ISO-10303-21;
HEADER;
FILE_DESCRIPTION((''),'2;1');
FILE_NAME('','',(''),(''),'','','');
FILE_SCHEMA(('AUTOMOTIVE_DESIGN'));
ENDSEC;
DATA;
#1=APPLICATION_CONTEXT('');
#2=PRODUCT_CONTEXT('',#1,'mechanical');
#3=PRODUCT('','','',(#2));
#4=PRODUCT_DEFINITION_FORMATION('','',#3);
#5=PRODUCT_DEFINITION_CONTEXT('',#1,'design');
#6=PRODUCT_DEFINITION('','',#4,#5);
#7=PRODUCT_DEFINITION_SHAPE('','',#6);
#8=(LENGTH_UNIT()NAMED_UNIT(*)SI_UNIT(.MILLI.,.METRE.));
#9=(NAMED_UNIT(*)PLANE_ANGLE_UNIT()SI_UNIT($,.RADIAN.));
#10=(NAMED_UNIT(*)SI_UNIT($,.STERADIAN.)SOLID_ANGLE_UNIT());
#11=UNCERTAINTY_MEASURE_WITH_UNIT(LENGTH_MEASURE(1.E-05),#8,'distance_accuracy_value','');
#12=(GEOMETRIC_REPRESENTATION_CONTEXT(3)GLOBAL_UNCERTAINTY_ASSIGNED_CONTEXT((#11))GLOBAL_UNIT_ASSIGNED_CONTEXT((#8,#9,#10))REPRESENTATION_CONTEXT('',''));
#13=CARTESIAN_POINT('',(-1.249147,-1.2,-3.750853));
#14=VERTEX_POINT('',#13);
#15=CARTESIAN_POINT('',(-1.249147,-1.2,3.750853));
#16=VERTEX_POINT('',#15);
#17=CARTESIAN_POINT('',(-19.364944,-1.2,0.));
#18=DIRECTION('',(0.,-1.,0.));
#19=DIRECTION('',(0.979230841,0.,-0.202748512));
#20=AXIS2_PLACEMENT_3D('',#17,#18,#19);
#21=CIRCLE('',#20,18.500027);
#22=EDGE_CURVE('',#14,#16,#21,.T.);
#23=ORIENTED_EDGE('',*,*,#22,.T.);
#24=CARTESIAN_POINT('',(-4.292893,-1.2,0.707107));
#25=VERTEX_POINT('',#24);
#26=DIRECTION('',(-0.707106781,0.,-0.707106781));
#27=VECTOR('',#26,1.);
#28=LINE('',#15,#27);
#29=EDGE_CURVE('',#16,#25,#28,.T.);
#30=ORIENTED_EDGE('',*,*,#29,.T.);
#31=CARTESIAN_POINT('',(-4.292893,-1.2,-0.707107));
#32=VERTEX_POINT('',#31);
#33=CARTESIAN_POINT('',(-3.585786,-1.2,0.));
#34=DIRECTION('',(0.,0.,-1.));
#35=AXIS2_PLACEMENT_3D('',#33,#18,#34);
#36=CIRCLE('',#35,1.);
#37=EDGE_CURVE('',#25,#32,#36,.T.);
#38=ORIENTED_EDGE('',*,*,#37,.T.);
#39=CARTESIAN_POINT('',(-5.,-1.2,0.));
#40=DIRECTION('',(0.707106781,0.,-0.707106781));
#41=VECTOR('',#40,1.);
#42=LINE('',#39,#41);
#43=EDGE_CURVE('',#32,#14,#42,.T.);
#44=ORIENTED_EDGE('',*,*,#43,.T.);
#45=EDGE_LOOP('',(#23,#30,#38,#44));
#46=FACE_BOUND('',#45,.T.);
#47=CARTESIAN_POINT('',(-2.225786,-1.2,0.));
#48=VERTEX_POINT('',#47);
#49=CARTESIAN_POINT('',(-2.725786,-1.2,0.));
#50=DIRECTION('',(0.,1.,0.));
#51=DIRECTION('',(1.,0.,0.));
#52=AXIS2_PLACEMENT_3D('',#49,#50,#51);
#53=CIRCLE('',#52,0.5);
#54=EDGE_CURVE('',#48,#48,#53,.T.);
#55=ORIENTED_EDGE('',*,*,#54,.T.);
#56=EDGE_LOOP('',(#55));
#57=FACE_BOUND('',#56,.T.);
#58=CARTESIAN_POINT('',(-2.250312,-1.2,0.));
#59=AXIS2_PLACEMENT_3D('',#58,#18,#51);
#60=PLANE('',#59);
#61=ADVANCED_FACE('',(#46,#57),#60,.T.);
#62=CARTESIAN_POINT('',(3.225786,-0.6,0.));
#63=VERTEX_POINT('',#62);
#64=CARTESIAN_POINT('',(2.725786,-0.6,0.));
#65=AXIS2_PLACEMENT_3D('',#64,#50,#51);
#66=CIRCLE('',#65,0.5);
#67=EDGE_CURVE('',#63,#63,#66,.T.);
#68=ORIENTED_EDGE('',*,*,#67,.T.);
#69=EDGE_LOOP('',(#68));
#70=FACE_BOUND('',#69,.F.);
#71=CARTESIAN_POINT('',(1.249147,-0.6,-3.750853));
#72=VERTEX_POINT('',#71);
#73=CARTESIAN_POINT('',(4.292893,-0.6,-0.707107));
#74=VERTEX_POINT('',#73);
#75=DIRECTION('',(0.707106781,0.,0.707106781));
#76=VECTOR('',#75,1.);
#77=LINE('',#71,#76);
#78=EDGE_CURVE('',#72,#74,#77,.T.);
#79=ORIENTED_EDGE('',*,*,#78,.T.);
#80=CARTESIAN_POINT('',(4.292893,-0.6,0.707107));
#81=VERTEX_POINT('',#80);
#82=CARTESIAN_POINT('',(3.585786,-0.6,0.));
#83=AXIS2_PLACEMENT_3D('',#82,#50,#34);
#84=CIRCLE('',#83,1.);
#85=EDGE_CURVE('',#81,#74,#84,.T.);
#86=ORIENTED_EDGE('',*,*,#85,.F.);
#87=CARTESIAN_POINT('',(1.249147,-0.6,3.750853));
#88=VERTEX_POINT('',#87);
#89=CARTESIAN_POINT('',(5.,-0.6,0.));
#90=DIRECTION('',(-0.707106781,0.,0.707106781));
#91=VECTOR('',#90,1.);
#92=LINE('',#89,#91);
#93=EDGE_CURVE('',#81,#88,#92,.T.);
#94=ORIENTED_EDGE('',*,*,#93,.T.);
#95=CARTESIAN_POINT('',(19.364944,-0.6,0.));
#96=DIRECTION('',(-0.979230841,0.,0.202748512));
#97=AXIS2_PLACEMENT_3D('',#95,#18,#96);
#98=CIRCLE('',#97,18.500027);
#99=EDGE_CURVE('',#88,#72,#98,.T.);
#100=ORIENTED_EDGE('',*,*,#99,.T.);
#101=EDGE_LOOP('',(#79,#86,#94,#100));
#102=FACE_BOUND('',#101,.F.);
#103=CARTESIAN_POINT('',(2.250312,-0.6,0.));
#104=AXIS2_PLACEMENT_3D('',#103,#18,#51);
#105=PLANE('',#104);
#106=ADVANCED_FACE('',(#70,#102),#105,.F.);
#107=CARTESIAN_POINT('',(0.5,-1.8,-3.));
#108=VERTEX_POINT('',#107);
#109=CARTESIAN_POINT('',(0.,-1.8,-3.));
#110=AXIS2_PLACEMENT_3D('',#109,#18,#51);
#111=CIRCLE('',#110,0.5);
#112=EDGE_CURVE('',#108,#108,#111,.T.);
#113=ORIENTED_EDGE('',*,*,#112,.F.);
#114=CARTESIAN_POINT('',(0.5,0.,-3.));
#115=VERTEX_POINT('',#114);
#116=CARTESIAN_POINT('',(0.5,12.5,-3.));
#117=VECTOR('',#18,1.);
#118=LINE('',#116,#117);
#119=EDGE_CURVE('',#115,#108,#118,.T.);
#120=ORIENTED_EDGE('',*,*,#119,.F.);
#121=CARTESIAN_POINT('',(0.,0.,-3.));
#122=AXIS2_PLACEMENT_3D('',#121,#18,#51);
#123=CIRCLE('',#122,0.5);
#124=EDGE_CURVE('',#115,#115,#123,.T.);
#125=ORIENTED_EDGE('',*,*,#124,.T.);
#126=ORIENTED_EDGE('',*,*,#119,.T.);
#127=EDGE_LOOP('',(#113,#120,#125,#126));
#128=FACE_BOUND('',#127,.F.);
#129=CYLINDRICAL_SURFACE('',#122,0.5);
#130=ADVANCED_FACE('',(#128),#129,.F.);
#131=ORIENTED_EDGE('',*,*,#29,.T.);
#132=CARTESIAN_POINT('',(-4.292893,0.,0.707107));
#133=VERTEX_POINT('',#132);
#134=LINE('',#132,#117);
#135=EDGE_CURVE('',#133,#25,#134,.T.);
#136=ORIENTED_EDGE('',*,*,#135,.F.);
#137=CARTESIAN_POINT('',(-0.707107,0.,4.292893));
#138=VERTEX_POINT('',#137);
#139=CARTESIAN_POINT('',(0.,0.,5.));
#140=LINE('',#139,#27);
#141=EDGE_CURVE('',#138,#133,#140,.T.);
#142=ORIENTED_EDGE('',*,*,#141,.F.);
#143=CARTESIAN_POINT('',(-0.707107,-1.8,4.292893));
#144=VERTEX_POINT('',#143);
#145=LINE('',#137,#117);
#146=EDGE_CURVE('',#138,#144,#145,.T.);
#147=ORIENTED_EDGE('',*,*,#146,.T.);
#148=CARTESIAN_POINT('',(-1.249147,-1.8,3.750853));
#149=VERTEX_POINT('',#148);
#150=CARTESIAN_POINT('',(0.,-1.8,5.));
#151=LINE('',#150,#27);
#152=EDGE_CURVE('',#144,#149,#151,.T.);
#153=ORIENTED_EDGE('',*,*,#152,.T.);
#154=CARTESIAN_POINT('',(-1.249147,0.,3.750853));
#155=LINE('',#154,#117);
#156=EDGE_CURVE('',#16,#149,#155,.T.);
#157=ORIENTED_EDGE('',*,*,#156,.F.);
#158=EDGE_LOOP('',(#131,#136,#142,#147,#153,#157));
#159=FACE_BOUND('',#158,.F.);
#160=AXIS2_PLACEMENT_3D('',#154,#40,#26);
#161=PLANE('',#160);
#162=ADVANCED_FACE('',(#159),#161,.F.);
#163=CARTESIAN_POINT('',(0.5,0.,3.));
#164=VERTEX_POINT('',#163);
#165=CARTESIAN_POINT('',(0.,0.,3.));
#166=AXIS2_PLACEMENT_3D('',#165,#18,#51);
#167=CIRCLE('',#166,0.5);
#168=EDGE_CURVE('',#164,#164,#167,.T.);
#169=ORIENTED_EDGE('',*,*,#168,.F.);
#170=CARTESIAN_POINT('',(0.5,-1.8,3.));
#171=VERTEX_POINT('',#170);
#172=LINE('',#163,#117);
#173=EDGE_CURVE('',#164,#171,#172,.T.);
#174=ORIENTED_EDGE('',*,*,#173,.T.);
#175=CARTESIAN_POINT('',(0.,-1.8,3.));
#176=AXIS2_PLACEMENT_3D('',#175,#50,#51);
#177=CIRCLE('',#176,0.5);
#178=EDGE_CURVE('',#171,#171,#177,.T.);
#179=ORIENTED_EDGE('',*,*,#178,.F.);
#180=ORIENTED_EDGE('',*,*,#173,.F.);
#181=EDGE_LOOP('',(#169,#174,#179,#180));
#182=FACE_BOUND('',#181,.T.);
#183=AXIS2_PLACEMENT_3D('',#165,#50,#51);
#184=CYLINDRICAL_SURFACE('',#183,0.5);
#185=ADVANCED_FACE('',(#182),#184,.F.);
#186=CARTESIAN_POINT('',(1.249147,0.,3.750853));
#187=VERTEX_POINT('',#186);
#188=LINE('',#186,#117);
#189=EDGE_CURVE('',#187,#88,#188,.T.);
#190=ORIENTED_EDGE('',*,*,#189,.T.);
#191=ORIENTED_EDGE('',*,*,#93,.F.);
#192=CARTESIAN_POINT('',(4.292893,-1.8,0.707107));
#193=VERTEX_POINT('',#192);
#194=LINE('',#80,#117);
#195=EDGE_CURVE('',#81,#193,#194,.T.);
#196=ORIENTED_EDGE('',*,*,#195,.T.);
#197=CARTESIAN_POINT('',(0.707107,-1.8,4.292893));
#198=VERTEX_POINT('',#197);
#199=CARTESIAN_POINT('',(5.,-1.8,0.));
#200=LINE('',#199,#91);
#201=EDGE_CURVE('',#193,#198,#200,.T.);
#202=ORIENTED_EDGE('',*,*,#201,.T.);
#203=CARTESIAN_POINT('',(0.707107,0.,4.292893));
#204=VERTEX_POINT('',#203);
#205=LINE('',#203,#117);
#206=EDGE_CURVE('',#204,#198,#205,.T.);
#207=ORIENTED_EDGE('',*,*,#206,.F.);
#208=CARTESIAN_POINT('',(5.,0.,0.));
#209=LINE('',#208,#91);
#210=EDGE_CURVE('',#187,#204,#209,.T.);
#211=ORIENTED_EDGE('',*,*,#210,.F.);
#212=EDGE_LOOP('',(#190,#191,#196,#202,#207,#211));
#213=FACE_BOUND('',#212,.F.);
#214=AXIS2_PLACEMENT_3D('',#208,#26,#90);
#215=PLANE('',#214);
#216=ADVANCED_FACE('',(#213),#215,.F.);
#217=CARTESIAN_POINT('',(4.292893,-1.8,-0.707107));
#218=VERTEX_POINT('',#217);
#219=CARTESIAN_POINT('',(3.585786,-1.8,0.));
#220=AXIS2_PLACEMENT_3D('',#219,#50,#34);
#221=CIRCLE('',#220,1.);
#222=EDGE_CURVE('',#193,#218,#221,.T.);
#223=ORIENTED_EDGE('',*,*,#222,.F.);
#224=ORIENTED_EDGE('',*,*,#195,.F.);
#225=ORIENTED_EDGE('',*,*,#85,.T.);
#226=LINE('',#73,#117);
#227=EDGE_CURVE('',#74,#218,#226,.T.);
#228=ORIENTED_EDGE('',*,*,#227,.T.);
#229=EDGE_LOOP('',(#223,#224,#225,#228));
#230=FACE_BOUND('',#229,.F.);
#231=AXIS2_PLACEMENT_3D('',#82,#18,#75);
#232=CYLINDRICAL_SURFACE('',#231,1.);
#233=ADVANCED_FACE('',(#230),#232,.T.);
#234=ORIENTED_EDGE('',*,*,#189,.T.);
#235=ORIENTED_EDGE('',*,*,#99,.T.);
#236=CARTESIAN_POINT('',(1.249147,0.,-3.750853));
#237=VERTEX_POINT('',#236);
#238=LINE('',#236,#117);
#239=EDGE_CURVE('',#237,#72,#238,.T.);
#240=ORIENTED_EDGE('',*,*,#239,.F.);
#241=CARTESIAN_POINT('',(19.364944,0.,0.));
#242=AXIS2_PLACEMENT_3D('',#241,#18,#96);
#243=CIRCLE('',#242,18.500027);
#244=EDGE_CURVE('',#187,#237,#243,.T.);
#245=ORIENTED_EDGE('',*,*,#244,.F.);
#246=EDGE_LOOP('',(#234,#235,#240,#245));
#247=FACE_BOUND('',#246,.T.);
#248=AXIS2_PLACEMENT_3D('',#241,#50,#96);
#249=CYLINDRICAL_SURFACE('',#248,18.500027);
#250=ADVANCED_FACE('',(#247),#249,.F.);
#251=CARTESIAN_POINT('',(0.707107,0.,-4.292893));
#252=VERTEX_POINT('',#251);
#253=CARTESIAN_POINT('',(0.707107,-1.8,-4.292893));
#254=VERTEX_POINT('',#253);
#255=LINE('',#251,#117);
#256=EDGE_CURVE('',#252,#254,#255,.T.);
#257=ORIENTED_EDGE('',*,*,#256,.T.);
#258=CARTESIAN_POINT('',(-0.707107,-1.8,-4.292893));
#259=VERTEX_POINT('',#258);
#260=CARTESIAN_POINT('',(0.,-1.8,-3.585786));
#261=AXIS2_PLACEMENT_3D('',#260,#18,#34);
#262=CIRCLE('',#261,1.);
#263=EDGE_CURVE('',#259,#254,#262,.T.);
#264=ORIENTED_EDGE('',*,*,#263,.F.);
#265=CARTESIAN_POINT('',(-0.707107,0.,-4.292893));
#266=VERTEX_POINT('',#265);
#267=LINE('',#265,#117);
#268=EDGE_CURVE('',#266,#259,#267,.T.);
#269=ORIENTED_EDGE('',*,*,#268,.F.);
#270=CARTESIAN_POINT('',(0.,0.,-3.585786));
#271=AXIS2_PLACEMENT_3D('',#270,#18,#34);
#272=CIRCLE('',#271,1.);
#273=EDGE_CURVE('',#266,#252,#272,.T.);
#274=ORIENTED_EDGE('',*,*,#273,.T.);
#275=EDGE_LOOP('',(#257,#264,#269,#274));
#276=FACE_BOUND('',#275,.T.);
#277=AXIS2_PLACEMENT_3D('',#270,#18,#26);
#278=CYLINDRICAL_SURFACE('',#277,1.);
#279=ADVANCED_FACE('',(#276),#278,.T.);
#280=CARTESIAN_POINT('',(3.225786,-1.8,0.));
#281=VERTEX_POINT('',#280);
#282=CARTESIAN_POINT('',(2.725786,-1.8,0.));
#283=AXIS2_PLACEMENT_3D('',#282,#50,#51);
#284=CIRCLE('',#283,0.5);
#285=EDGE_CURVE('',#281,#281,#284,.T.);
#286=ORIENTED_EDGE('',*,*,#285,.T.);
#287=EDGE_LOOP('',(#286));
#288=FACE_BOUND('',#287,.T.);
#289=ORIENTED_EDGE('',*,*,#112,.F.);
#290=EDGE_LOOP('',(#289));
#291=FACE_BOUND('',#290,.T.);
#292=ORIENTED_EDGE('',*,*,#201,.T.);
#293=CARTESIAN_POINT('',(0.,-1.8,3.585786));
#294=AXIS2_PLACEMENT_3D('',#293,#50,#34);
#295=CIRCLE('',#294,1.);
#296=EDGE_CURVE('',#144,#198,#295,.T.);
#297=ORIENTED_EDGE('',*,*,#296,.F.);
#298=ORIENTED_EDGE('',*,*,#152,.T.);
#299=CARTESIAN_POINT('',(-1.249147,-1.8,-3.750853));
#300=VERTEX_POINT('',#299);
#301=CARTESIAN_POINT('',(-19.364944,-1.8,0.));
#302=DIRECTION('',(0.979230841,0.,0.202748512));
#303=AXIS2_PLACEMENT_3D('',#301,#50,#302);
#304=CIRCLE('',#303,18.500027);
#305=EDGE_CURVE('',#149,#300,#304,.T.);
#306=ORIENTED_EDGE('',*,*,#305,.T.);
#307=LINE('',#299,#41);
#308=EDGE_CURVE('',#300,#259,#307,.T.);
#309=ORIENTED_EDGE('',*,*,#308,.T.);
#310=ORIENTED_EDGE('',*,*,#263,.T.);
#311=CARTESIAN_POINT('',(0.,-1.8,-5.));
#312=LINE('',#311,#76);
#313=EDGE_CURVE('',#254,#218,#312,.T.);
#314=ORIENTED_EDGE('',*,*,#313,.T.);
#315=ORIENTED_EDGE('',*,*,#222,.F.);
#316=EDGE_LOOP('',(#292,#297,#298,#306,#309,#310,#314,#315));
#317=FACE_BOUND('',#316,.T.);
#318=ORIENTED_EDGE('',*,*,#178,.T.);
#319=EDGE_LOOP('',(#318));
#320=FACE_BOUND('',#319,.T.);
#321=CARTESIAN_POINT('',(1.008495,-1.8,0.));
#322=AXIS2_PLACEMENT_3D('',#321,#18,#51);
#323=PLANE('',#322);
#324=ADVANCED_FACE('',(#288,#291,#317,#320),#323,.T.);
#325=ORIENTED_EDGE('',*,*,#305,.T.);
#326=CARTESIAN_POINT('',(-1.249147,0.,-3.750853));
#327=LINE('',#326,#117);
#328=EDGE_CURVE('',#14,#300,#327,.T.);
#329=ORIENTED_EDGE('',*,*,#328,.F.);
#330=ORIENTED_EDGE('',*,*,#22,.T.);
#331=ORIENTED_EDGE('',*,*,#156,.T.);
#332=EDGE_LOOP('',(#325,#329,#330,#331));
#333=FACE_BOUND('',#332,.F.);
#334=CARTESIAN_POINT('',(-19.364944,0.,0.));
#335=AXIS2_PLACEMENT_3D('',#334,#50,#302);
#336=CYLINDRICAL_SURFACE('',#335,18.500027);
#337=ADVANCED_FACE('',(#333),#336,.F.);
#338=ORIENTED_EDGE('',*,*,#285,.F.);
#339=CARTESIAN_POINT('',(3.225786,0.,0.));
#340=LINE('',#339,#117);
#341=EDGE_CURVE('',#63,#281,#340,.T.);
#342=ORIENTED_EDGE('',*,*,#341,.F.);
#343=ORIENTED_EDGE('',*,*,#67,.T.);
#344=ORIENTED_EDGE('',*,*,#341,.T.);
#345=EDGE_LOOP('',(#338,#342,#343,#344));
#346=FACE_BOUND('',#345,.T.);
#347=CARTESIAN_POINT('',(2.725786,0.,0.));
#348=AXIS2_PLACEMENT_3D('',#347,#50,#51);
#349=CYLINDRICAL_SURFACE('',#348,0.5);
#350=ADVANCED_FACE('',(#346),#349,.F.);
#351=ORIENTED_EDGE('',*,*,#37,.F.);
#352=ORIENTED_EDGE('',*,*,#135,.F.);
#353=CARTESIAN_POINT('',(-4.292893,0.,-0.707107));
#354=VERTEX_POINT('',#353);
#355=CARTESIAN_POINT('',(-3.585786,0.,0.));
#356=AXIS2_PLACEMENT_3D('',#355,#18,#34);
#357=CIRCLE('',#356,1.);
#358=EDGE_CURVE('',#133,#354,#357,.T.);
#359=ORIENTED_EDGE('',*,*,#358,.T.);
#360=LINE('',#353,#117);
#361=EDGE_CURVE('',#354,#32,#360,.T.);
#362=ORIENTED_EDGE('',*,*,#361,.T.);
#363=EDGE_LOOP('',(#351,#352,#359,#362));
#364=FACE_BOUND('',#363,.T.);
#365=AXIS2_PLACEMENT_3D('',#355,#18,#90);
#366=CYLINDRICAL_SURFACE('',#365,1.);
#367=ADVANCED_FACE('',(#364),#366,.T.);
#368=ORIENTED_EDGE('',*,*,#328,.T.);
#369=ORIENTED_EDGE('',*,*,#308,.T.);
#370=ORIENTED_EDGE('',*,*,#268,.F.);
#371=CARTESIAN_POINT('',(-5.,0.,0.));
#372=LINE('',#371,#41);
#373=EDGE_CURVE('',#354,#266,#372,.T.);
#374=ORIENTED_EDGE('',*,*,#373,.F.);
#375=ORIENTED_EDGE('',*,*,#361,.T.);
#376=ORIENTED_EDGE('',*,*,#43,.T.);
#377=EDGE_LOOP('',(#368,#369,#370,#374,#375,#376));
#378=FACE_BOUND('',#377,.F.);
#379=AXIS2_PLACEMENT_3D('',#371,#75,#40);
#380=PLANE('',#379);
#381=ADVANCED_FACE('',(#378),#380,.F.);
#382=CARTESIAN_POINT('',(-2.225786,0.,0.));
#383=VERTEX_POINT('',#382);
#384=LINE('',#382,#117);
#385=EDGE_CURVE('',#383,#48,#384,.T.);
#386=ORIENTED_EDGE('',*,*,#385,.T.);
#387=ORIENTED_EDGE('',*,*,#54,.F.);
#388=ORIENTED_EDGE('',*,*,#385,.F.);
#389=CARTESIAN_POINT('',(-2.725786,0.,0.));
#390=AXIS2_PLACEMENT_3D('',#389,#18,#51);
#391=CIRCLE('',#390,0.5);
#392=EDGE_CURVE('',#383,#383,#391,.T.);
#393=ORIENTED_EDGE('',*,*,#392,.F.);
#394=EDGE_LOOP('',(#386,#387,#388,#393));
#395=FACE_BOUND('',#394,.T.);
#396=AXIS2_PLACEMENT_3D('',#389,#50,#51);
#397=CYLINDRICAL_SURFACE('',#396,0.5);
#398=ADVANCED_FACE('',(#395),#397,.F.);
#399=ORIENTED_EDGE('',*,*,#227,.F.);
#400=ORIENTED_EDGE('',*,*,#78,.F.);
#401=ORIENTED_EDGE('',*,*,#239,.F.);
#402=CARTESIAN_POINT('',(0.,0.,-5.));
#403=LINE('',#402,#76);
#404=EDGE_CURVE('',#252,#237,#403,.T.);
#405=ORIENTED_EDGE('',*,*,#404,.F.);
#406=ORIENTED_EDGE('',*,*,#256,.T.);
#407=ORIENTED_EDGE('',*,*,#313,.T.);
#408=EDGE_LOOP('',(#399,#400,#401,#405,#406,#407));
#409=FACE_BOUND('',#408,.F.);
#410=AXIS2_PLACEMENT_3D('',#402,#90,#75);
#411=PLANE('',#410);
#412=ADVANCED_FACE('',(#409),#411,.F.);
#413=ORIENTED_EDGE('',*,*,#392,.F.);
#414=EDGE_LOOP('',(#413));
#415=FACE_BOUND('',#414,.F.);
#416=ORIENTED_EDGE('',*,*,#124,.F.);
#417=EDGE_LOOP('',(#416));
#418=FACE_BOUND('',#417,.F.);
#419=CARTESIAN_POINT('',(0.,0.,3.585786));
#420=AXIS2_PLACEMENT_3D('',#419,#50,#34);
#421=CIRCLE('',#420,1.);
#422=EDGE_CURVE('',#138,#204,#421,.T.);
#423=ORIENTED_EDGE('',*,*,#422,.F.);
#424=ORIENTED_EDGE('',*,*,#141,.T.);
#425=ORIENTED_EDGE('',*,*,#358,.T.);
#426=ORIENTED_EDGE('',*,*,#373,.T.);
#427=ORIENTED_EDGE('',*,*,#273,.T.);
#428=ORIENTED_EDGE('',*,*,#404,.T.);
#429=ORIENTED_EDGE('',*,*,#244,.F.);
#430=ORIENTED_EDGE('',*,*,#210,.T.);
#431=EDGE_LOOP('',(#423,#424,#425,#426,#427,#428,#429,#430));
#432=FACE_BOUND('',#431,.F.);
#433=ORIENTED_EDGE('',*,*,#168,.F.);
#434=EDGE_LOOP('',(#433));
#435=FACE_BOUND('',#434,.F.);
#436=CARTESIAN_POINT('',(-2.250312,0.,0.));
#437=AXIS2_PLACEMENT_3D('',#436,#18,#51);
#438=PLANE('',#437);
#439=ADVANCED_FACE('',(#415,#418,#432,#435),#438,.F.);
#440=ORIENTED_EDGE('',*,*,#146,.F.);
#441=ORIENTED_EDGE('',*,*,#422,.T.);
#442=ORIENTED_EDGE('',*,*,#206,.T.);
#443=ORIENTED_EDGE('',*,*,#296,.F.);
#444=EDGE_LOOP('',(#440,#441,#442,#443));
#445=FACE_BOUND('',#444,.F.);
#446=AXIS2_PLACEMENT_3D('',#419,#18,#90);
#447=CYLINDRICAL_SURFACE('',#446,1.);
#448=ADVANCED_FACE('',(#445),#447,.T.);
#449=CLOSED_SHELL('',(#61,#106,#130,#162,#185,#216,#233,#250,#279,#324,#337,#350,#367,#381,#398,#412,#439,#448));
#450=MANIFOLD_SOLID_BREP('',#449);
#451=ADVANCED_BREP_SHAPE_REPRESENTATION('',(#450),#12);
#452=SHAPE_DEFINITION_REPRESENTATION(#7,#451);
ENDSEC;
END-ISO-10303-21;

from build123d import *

# Parameters (mm, degrees)
F1_DEPTH = 1.8
F2_DEPTH = 1.2
F4_DEPTH = 0.6
F5_R     = 1
F6_R     = 0.5
F7_DEPTH = 12.5


with BuildPart() as f1:
    # F0 (on Front) → F1 (new body)
    with BuildSketch(Plane.XZ):
        with BuildLine():
            Line((5, 0), (0, 5))
            Line((0, 5), (-1.249147, 3.750853))
            ThreePointArc((-1.249147, 3.750853), (-0.864917, 0), (-1.249147, -3.750853))
            Line((-1.249147, -3.750853), (0, -5))
            Line((0, -5), (5, 0))
        make_face()
    extrude(amount=F1_DEPTH)

    # F0 (on Front) → F2 (join)
    with BuildSketch(Plane.XZ):
        with BuildLine():
            ThreePointArc((-1.249147, -3.750853), (-0.864917, 0), (-1.249147, 3.750853))
            Line((-1.249147, 3.750853), (-5, 0))
            Line((-5, 0), (-1.249147, -3.750853))
        make_face()
    extrude(amount=F2_DEPTH)

    # F3 (on face) → F4 (cut)
    with BuildSketch(Plane.XZ):
        with BuildLine():
            ThreePointArc((1.249147, 3.750853), (0.864917, 0), (1.249147, -3.750853))
            Line((1.249147, -3.750853), (5, 0))
            Line((5, 0), (1.249147, 3.750853))
        make_face()
    extrude(amount=F4_DEPTH, mode=Mode.SUBTRACT)

    # F5
    f5_edges = [f1.edges().sort_by_distance(p)[0] for p in [
        (0, -0.9, 5),
        (5, -1.2, 0),
        (0, -0.9, -5),
        (-5, -0.6, 0),
    ]]
    fillet(f5_edges, radius=F5_R)

    # F6 (on Front) → F7 (cut, symmetric)
    with BuildSketch(Plane.XZ):
        with Locations((-2.725786, 0)):
            Circle(F6_R)
        with Locations((2.725786, 0)):
            Circle(F6_R)
        with Locations((0, 3)):
            Circle(F6_R)
        with Locations((0, -3)):
            Circle(F6_R)
    extrude(amount=F7_DEPTH, both=True, mode=Mode.SUBTRACT)


solid = f1.part
